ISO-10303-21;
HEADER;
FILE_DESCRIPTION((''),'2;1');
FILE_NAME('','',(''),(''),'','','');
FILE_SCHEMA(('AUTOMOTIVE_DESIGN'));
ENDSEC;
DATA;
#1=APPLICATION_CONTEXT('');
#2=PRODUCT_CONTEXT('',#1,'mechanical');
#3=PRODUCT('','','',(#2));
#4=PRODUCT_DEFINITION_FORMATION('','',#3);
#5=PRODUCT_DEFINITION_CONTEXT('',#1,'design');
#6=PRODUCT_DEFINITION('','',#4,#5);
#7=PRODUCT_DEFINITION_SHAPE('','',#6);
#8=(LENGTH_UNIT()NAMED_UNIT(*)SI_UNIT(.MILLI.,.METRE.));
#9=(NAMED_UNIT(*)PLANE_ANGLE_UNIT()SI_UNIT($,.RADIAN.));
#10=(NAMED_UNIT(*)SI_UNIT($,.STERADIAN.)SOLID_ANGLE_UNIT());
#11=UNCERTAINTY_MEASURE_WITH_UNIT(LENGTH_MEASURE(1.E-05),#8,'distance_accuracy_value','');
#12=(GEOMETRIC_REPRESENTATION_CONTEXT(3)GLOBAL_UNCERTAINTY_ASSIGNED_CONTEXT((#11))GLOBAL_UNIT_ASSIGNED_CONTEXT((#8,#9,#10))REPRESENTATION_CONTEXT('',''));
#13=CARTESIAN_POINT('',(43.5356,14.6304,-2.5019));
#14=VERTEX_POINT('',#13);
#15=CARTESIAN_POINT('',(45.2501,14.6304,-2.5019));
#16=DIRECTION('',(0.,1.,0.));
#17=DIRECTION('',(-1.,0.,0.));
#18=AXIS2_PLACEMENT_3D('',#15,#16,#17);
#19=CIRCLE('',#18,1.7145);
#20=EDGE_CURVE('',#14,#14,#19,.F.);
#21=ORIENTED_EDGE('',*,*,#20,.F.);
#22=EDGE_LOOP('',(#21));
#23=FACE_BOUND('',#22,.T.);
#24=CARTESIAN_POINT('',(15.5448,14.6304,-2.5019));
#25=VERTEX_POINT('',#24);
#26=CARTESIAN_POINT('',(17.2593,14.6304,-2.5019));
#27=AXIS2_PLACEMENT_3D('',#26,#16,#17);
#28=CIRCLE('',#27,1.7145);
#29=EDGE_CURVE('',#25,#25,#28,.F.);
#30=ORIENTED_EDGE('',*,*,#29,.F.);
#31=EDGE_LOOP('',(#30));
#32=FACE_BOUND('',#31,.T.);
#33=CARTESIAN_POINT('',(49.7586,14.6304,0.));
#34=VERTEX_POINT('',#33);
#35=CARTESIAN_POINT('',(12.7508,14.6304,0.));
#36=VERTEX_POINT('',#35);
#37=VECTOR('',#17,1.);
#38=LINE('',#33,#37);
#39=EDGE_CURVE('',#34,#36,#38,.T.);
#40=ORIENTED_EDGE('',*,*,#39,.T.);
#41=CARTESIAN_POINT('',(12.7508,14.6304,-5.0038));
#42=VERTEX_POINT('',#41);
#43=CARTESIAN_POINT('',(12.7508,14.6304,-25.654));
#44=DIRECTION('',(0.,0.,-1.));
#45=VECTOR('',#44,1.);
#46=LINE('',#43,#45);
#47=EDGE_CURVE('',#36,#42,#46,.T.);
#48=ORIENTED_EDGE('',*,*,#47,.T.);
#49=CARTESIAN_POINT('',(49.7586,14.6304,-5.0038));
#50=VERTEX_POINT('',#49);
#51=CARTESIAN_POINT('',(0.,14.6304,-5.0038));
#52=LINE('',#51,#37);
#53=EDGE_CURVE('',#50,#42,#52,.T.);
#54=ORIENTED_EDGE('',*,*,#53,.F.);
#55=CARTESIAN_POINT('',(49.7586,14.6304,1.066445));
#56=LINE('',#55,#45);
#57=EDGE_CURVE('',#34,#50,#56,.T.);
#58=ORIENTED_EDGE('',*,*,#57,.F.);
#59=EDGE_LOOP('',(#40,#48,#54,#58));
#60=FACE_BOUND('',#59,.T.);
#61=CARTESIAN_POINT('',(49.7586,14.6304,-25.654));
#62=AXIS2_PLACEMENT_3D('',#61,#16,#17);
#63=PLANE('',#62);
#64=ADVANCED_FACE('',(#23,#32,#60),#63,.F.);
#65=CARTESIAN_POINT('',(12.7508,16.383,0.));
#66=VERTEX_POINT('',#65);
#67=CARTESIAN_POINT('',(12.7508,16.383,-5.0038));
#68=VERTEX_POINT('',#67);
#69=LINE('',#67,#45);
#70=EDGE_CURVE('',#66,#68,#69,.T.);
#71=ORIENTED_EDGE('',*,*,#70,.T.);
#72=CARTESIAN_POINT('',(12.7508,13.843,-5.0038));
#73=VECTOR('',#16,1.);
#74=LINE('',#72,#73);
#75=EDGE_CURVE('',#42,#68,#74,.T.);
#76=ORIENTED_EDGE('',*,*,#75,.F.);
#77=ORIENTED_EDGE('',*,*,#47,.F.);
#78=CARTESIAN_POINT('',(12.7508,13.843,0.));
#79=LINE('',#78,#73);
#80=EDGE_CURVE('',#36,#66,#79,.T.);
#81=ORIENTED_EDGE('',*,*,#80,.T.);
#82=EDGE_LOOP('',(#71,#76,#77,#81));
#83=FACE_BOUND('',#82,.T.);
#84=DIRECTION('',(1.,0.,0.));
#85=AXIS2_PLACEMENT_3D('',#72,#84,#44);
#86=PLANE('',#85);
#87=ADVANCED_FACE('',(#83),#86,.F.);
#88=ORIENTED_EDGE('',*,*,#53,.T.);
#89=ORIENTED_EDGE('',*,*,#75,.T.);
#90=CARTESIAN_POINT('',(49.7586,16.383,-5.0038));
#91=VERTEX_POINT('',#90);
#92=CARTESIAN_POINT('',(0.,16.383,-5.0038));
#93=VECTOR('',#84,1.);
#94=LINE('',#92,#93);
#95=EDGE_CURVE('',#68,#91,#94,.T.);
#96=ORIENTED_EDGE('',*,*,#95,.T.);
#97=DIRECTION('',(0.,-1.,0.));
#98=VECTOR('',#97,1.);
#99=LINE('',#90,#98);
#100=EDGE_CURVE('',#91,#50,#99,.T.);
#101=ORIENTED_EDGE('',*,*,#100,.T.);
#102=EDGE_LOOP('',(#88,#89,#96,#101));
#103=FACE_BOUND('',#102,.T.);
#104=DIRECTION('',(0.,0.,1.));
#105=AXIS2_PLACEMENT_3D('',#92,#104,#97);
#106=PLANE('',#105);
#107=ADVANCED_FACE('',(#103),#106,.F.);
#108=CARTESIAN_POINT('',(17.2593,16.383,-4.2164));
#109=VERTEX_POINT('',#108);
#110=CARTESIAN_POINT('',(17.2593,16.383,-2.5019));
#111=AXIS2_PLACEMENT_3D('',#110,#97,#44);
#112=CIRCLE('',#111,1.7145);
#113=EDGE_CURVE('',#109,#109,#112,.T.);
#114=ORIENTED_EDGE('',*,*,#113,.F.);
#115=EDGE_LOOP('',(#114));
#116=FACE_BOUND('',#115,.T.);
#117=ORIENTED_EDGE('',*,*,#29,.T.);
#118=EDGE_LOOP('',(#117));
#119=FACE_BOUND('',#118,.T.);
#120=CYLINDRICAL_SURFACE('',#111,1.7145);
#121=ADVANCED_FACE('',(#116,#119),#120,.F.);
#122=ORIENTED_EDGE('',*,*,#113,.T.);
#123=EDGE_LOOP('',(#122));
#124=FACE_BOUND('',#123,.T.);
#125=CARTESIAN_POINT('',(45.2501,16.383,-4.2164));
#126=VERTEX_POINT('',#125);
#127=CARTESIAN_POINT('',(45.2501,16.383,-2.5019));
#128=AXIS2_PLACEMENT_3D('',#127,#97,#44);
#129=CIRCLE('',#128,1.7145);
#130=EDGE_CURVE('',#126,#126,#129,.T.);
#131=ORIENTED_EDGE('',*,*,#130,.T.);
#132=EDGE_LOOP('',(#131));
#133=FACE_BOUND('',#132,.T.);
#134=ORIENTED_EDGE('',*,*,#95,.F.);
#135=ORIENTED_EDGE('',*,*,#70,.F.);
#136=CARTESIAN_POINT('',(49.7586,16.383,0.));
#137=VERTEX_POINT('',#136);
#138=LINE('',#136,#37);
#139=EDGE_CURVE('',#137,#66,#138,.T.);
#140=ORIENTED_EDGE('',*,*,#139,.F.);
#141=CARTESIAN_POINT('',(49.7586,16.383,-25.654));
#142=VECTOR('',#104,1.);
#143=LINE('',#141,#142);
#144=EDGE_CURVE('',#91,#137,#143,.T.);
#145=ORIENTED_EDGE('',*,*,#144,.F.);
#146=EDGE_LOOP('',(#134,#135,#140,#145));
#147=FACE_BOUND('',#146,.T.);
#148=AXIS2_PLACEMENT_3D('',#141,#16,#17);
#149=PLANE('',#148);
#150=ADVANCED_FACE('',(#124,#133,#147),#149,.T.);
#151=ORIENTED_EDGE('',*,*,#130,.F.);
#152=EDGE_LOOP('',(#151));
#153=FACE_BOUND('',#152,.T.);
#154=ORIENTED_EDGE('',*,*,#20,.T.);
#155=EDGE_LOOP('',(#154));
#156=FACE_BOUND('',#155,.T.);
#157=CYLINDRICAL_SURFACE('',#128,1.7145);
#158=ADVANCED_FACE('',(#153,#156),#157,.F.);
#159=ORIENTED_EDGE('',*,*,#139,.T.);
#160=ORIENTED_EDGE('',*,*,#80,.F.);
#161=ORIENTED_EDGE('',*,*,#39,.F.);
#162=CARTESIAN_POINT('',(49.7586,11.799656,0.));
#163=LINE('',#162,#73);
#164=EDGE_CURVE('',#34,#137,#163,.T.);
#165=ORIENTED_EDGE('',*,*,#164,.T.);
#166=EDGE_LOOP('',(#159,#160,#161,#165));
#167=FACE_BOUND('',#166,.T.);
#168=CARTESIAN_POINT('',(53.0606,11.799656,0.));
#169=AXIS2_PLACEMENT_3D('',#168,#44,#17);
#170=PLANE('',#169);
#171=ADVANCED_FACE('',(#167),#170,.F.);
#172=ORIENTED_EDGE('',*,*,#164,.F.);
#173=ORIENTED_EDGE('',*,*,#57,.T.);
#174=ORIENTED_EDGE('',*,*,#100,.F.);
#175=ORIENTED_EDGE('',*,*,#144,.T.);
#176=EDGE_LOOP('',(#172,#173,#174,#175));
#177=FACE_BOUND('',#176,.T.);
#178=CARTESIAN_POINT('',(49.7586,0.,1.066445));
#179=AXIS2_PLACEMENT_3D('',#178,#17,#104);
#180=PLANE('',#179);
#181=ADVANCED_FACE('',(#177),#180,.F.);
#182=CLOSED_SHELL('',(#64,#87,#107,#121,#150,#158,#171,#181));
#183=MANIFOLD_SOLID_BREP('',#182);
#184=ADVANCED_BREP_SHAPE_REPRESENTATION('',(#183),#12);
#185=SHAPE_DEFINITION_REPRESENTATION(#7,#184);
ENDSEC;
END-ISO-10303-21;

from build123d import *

# Parameters (mm, degrees)
BOSS_EXTRUDE1_DEPTH = 25.654
SKETCH2_W           = 20.6502
SKETCH2_H           = 12.3952
CUT_EXTRUDE1_DEPTH  = 63.010623853
SKETCH3_W           = 42.037
SKETCH3_H           = 20.6502
CUT_EXTRUDE2_DEPTH  = 62.078275718
CUT_EXTRUDE3_DEPTH  = 5.08
SKETCH5_R           = 1.0795
CUT_EXTRUDE4_DEPTH  = 62.078275718
SKETCH6_R           = 1.7145
CUT_EXTRUDE5_DEPTH  = 63.010623853
SKETCH7_W           = 13.199565881
SKETCH7_H           = 28.375595839
SKETCH7_W_2         = 9.485915606
CUT_EXTRUDE6_DEPTH  = 63.010623853
SKETCH8_W           = 38.481
SKETCH8_H           = 14.6304
CUT_EXTRUDE7_DEPTH  = 59.330512418
SKETCH9_W           = 1.4732
SKETCH9_H           = 5.0038
CUT_EXTRUDE8_DEPTH  = 2.54


with BuildPart() as part:
    # Sketch1 → Boss-Extrude1 (new body)
    with BuildSketch(Plane.XY):
        with BuildLine():
            Line((0, 0), (54.0258, 0))
            Line((54.0258, 0), (54.0258, 3.9878))
            Line((54.0258, 3.9878), (51.176616962, 11.038320738))
            ThreePointArc((51.176616962, 11.038320738), (51.065947457, 11.411860999), (51.0286, 11.799656349))
            Line((51.0286, 11.799656349), (51.0286, 15.113))
            Line((51.0286, 15.113), (49.7586, 16.383))
            Line((49.7586, 16.383), (11.2776, 16.383))
            Line((11.2776, 16.383), (10.0076, 15.113))
            Line((10.0076, 15.113), (10.0076, 12.427861529))
            ThreePointArc((10.0076, 12.427861529), (9.790474401, 11.513938717), (9.185498713, 10.795326965))
            Line((9.185498713, 10.795326965), (0, 3.9878))
            Line((0, 3.9878), (0, 0))
        make_face()
    extrude(amount=-BOSS_EXTRUDE1_DEPTH)

    # Sketch2 → Cut-Extrude1 (cut, through all)
    with BuildSketch(Plane(origin=(54.0258, 0, 0), x_dir=(0, 0, -1), z_dir=(1, 0, 0))):
        with Locations((15.3289, 10.1854)):
            Rectangle(SKETCH2_W, SKETCH2_H)
    extrude(amount=-CUT_EXTRUDE1_DEPTH, mode=Mode.SUBTRACT)

    # Sketch3 → Cut-Extrude2 (cut, through all)
    with BuildSketch(Plane(origin=(0, 3.9878, 0), x_dir=(1, 0, 0), z_dir=(0, 1, 0))):
        with Locations((27.0129, 15.3289)):
            Rectangle(SKETCH3_W, SKETCH3_H)
    extrude(amount=-CUT_EXTRUDE2_DEPTH, mode=Mode.SUBTRACT)

    # Sketch4 → Cut-Extrude3 (cut)
    with BuildSketch(Plane.XY):
        with BuildLine():
            Line((6.901956547, 3.937), (10.414, 3.937))
            ThreePointArc((10.414, 3.937), (11.473670222, 4.375929778), (11.9126, 5.4356))
            Line((11.9126, 5.4356), (11.9126, 8.038434234))
            ThreePointArc((11.9126, 8.038434234), (11.088018074, 9.376904105), (9.521699699, 9.242428475))
            Line((9.521699699, 9.242428475), (6.009656246, 6.639594241))
            ThreePointArc((6.009656246, 6.639594241), (5.478912674, 4.965761629), (6.901956547, 3.937))
        make_face()
        with BuildLine():
            Line((47.752, 13.9446), (42.6212, 13.9446))
            ThreePointArc((42.6212, 13.9446), (41.561529778, 13.505670222), (41.1226, 12.446))
            Line((41.1226, 12.446), (41.1226, 5.4356))
            ThreePointArc((41.1226, 5.4356), (41.561529778, 4.375929778), (42.6212, 3.937))
            Line((42.6212, 3.937), (47.752, 3.937))
            ThreePointArc((47.752, 3.937), (48.811670222, 4.375929778), (49.2506, 5.4356))
            Line((49.2506, 5.4356), (49.2506, 12.446))
            ThreePointArc((49.2506, 12.446), (48.811670222, 13.505670222), (47.752, 13.9446))
        make_face()
        with BuildLine():
            Line((13.3096, 12.446), (13.3096, 5.4356))
            ThreePointArc((13.3096, 5.4356), (13.748529778, 4.375929778), (14.8082, 3.937))
            Line((14.8082, 3.937), (19.939, 3.937))
            ThreePointArc((19.939, 3.937), (20.998670222, 4.375929778), (21.4376, 5.4356))
            Line((21.4376, 5.4356), (21.4376, 12.446))
            ThreePointArc((21.4376, 12.446), (20.998670222, 13.505670222), (19.939, 13.9446))
            Line((19.939, 13.9446), (14.8082, 13.9446))
            ThreePointArc((14.8082, 13.9446), (13.748529778, 13.505670222), (13.3096, 12.446))
        make_face()
        with BuildLine():
            Line((22.8346, 12.446), (22.8346, 5.4356))
            ThreePointArc((22.8346, 5.4356), (23.273529778, 4.375929778), (24.3332, 3.937))
            Line((24.3332, 3.937), (38.227, 3.937))
            ThreePointArc((38.227, 3.937), (39.286670222, 4.375929778), (39.7256, 5.4356))
            Line((39.7256, 5.4356), (39.7256, 12.446))
            ThreePointArc((39.7256, 12.446), (39.286670222, 13.505670222), (38.227, 13.9446))
            Line((38.227, 13.9446), (24.3332, 13.9446))
            ThreePointArc((24.3332, 13.9446), (23.273529778, 13.505670222), (22.8346, 12.446))
        make_face()
    extrude(amount=-CUT_EXTRUDE3_DEPTH, mode=Mode.SUBTRACT)

    # Sketch5 → Cut-Extrude4 (cut, through all)
    with BuildSketch(Plane(origin=(0, 3.9878, 0), x_dir=(1, 0, 0), z_dir=(0, 1, 0))):
        with Locations(Location((51.0286, 21.336, 0), (0, 0, 270))):
            Circle(SKETCH5_R)
        with Locations(Location((51.0286, 11.3538, 0), (0, 0, 270))):
            Circle(SKETCH5_R)
        with Locations(Location((2.9972, 11.3538, 0), (0, 0, 90))):
            Circle(SKETCH5_R)
        with Locations(Location((2.9972, 21.336, 0), (0, 0, 90))):
            Circle(SKETCH5_R)
    extrude(amount=-CUT_EXTRUDE4_DEPTH, mode=Mode.SUBTRACT)

    # Sketch6 → Cut-Extrude5 (cut, through all)
    with BuildSketch(Plane.XZ):
        with Locations(Location((45.2501, -2.5019, 0), (0, 0, 270))):
            Circle(SKETCH6_R)
        with Locations(Location((17.2593, -2.5019, 0), (0, 0, 270))):
            Circle(SKETCH6_R)
    extrude(amount=-CUT_EXTRUDE5_DEPTH, mode=Mode.SUBTRACT)

    # Sketch7 → Cut-Extrude6 (cut, through all)
    with BuildSketch(Plane(origin=(0, 16.383, 0), x_dir=(1, 0, 0), z_dir=(0, 1, 0))):
        with Locations((4.67781706, 13.121352654)):
            Rectangle(SKETCH7_W, SKETCH7_H)
        with Locations((54.501557803, 13.121352654)):
            Rectangle(SKETCH7_W_2, SKETCH7_H)
    extrude(amount=-CUT_EXTRUDE6_DEPTH, mode=Mode.SUBTRACT)

    # Sketch8 → Cut-Extrude7 (cut, through all)
    with BuildSketch(Plane.XY):
        with Locations((30.5181, 7.3152)):
            Rectangle(SKETCH8_W, SKETCH8_H)
    extrude(amount=-CUT_EXTRUDE7_DEPTH, mode=Mode.SUBTRACT)

    # Sketch9 → Cut-Extrude8 (cut)
    with BuildSketch(Plane(origin=(0, 16.383, 0), x_dir=(1, 0, 0), z_dir=(0, 1, 0))):
        with Locations((12.0142, 2.5019)):
            Rectangle(SKETCH9_W, SKETCH9_H)
    extrude(amount=-CUT_EXTRUDE8_DEPTH, mode=Mode.SUBTRACT)


solid = part.part
